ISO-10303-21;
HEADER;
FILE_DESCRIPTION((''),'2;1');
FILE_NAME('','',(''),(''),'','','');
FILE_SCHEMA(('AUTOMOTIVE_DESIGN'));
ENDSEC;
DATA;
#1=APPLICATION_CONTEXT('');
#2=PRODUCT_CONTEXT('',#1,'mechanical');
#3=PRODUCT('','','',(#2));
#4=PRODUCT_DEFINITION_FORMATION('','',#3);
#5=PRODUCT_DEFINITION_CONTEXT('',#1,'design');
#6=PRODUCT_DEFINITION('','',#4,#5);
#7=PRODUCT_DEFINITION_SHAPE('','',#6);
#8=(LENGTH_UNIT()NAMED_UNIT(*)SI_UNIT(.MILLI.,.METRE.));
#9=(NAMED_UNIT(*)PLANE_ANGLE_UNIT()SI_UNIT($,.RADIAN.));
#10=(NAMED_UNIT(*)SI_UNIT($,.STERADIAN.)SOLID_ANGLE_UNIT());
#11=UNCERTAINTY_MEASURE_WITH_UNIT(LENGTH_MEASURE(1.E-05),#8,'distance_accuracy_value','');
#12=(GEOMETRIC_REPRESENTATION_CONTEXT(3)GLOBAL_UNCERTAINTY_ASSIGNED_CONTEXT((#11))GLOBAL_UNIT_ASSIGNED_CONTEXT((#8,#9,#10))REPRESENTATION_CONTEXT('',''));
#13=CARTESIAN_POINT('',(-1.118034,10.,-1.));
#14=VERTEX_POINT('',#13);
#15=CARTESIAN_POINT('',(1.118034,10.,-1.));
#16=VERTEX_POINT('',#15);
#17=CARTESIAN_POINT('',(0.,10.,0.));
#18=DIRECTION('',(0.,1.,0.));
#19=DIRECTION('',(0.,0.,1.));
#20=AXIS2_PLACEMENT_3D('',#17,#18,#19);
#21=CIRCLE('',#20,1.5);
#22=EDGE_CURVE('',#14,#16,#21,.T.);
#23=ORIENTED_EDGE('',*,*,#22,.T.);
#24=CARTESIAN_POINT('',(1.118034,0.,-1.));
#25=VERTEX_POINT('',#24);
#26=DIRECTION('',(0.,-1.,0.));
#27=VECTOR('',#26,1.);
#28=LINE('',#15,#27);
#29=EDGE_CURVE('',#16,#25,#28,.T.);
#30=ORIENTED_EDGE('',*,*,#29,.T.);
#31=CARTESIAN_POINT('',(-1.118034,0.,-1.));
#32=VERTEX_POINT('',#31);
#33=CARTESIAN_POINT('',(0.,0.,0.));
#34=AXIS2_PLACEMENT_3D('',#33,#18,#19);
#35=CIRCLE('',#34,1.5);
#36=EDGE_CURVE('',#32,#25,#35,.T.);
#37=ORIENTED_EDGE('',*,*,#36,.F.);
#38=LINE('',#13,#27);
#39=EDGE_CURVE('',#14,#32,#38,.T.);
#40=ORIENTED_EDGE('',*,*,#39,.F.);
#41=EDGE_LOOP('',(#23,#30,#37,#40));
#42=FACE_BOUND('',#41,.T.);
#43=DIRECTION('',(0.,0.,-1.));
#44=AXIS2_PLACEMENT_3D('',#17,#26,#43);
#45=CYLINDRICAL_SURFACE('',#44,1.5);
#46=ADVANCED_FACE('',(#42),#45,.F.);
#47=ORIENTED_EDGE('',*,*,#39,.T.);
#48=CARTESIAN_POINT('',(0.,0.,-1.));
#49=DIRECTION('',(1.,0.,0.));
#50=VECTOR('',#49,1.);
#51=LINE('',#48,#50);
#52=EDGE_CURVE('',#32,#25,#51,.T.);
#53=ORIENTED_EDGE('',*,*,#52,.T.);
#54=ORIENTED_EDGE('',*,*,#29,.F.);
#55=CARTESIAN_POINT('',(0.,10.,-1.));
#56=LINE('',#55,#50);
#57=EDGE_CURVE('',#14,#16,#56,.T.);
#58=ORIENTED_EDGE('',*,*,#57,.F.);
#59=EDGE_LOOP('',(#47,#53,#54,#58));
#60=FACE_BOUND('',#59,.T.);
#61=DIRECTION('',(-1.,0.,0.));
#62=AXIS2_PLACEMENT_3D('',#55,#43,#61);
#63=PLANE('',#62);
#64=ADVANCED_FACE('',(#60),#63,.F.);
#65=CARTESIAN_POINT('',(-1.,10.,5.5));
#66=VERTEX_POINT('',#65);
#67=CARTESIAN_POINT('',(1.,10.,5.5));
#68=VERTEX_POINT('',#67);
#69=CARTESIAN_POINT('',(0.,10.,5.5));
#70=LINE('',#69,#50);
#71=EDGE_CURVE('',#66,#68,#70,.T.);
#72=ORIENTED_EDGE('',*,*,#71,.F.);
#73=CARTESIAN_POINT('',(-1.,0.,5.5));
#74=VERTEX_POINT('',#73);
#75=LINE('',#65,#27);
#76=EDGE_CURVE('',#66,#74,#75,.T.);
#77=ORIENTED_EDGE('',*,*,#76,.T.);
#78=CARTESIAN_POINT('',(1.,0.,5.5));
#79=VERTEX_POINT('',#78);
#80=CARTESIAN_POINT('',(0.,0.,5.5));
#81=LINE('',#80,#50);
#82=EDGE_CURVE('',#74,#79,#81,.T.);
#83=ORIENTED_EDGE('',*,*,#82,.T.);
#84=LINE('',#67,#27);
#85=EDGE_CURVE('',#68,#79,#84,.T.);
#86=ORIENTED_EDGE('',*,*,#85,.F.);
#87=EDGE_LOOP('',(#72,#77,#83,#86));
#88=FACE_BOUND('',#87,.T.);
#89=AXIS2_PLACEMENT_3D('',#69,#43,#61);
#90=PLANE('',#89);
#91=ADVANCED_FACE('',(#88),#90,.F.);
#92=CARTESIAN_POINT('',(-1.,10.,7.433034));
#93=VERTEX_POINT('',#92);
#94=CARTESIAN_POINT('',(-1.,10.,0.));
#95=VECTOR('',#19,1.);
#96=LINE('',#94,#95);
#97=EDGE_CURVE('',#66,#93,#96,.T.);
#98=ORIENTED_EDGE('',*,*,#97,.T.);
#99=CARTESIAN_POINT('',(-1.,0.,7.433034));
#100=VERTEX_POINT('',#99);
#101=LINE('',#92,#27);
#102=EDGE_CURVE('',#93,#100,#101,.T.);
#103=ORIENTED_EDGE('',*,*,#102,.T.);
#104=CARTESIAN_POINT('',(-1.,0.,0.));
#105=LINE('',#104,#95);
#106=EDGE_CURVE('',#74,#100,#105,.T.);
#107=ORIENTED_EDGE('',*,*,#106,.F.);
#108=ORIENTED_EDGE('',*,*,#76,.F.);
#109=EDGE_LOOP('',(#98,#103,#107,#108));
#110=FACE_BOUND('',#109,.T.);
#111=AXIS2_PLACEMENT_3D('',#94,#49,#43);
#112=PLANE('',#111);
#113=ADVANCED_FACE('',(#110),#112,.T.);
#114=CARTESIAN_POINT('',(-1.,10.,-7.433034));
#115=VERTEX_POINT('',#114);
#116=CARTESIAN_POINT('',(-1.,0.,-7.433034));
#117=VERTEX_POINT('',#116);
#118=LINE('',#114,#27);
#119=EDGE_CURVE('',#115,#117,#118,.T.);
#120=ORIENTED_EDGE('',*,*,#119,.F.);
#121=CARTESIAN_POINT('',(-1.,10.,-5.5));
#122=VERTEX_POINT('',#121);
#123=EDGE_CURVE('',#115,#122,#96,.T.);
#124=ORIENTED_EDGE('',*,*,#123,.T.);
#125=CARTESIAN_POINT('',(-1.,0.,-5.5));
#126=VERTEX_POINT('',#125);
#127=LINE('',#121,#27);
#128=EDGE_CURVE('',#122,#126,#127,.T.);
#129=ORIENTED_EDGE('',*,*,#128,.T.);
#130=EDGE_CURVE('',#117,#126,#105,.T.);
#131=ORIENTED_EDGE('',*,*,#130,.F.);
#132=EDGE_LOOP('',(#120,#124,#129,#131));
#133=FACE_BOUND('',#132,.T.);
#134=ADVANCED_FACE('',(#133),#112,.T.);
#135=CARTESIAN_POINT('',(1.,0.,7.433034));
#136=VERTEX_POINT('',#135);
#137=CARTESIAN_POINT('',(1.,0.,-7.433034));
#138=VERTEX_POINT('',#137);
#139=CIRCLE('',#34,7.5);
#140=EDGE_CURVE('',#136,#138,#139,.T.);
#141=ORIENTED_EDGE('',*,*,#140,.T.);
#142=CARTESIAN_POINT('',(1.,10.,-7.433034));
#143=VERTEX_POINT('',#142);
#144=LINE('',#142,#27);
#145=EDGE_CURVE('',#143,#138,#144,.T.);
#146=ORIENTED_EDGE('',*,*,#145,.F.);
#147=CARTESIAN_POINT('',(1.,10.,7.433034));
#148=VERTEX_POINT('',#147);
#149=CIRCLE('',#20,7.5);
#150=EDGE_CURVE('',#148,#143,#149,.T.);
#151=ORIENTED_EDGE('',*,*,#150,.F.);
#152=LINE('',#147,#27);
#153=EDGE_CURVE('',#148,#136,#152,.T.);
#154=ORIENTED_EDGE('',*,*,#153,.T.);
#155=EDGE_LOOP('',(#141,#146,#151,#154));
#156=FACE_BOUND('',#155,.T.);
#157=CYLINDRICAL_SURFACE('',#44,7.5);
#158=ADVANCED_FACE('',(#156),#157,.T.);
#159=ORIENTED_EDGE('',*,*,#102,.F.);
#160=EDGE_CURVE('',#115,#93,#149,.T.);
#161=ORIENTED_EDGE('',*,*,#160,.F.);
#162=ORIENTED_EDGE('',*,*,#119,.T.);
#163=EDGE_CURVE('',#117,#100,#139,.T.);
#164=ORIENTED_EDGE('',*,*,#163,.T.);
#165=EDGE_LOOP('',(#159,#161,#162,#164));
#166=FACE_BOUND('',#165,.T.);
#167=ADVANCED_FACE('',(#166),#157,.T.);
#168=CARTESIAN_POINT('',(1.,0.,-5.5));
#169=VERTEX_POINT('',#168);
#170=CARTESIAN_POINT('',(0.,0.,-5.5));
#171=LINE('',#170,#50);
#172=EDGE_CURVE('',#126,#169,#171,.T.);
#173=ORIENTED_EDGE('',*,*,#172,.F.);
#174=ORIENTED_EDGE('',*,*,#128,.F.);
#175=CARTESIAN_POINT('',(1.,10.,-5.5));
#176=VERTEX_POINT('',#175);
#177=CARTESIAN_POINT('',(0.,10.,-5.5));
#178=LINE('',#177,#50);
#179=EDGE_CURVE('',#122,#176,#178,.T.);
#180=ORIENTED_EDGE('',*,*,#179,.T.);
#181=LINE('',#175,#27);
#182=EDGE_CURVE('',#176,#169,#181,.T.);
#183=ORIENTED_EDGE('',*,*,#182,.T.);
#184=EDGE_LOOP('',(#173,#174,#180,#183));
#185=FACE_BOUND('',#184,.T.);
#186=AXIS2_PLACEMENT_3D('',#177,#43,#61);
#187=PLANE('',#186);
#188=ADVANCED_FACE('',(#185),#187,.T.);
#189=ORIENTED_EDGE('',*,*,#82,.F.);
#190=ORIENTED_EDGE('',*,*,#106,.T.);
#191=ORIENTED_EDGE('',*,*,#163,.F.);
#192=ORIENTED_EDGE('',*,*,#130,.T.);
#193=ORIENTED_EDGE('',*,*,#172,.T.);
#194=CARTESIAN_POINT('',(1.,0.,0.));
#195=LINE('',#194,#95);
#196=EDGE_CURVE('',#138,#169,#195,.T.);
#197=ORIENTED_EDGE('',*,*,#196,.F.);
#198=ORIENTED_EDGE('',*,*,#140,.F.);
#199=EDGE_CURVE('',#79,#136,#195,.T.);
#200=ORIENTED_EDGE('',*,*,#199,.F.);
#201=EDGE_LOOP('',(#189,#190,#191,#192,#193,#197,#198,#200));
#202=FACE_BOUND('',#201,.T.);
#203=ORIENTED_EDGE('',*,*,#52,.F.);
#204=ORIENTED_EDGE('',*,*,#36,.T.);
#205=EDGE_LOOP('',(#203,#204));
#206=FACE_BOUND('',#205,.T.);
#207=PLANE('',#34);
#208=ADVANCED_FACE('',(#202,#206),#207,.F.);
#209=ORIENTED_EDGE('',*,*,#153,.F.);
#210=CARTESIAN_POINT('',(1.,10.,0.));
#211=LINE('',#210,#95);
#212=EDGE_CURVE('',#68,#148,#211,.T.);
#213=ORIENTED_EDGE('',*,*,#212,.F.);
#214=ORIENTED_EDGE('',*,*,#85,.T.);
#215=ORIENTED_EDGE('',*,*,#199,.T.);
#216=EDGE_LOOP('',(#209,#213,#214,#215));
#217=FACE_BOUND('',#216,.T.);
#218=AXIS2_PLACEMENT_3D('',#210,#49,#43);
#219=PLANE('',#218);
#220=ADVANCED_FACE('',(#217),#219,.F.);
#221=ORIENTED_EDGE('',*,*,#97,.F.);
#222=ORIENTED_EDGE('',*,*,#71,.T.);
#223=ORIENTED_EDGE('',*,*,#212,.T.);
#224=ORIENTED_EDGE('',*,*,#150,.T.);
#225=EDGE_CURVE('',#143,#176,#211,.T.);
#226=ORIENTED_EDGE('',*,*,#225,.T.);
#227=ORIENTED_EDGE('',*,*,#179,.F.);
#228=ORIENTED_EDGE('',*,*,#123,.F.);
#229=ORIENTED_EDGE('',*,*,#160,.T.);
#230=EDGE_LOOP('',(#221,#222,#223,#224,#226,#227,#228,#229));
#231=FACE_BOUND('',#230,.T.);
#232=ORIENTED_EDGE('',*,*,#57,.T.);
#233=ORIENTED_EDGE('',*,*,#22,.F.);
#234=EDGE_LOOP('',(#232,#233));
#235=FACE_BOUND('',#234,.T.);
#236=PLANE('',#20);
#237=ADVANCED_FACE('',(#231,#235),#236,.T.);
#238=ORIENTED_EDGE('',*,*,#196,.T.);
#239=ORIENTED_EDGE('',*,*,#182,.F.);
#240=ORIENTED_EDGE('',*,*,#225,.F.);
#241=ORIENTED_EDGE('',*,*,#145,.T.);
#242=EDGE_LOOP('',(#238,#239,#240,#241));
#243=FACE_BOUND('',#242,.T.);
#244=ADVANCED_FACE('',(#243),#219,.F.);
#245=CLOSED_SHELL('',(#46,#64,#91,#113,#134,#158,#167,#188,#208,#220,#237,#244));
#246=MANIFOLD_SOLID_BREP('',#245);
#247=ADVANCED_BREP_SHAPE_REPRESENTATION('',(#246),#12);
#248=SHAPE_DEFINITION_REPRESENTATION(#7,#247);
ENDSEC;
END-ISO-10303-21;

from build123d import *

# Parameters (mm, degrees)
EXTRUDE_1_DEPTH = 10


with BuildPart() as part:
    # Эскиз1 → Бобышка-Вытянуть1 (new body)
    # profile 1 of 2: a face of its own
    with BuildSketch(Plane(origin=(0, 0, 0), x_dir=(1, 0, 0), z_dir=(0, 1, 0))):
        with BuildLine():
            Line((-1, 5.5), (-1, 7.433034374))
            ThreePointArc((-1, 7.433034374), (-7.5, 0), (-1, -7.433034374))
            Line((-1, -7.433034374), (-1, -5.5))
            Line((-1, -5.5), (1, -5.5))
            Line((1, -5.5), (1, -7.433034374))
            ThreePointArc((1, -7.433034374), (5.645794895, -4.937104415), (7.5, 0))
            ThreePointArc((7.5, 0), (5.645794895, 4.937104415), (1, 7.433034374))
            Line((1, 7.433034374), (1, 5.5))
            Line((1, 5.5), (-1, 5.5))
        make_face()
        with BuildLine():
            ThreePointArc((1.5, 0), (-0.535233135, -1.401258538), (-1.118033989, 1))
            ThreePointArc((-1.118033989, 1), (0, 1.5), (1.118033989, 1))
            ThreePointArc((1.118033989, 1), (1.401258538, 0.535233135), (1.5, 0))
        make_face(mode=Mode.SUBTRACT)
    # profile 2 of 2: a face of its own
    with BuildSketch(Plane(origin=(0, 0, 0), x_dir=(1, 0, 0), z_dir=(0, 1, 0))):
        with BuildLine():
            ThreePointArc((1.118033989, 1), (0, 1.5), (-1.118033989, 1))
            Line((-1.118033989, 1), (1.118033989, 1))
        make_face()
    extrude(amount=EXTRUDE_1_DEPTH)


solid = part.part
